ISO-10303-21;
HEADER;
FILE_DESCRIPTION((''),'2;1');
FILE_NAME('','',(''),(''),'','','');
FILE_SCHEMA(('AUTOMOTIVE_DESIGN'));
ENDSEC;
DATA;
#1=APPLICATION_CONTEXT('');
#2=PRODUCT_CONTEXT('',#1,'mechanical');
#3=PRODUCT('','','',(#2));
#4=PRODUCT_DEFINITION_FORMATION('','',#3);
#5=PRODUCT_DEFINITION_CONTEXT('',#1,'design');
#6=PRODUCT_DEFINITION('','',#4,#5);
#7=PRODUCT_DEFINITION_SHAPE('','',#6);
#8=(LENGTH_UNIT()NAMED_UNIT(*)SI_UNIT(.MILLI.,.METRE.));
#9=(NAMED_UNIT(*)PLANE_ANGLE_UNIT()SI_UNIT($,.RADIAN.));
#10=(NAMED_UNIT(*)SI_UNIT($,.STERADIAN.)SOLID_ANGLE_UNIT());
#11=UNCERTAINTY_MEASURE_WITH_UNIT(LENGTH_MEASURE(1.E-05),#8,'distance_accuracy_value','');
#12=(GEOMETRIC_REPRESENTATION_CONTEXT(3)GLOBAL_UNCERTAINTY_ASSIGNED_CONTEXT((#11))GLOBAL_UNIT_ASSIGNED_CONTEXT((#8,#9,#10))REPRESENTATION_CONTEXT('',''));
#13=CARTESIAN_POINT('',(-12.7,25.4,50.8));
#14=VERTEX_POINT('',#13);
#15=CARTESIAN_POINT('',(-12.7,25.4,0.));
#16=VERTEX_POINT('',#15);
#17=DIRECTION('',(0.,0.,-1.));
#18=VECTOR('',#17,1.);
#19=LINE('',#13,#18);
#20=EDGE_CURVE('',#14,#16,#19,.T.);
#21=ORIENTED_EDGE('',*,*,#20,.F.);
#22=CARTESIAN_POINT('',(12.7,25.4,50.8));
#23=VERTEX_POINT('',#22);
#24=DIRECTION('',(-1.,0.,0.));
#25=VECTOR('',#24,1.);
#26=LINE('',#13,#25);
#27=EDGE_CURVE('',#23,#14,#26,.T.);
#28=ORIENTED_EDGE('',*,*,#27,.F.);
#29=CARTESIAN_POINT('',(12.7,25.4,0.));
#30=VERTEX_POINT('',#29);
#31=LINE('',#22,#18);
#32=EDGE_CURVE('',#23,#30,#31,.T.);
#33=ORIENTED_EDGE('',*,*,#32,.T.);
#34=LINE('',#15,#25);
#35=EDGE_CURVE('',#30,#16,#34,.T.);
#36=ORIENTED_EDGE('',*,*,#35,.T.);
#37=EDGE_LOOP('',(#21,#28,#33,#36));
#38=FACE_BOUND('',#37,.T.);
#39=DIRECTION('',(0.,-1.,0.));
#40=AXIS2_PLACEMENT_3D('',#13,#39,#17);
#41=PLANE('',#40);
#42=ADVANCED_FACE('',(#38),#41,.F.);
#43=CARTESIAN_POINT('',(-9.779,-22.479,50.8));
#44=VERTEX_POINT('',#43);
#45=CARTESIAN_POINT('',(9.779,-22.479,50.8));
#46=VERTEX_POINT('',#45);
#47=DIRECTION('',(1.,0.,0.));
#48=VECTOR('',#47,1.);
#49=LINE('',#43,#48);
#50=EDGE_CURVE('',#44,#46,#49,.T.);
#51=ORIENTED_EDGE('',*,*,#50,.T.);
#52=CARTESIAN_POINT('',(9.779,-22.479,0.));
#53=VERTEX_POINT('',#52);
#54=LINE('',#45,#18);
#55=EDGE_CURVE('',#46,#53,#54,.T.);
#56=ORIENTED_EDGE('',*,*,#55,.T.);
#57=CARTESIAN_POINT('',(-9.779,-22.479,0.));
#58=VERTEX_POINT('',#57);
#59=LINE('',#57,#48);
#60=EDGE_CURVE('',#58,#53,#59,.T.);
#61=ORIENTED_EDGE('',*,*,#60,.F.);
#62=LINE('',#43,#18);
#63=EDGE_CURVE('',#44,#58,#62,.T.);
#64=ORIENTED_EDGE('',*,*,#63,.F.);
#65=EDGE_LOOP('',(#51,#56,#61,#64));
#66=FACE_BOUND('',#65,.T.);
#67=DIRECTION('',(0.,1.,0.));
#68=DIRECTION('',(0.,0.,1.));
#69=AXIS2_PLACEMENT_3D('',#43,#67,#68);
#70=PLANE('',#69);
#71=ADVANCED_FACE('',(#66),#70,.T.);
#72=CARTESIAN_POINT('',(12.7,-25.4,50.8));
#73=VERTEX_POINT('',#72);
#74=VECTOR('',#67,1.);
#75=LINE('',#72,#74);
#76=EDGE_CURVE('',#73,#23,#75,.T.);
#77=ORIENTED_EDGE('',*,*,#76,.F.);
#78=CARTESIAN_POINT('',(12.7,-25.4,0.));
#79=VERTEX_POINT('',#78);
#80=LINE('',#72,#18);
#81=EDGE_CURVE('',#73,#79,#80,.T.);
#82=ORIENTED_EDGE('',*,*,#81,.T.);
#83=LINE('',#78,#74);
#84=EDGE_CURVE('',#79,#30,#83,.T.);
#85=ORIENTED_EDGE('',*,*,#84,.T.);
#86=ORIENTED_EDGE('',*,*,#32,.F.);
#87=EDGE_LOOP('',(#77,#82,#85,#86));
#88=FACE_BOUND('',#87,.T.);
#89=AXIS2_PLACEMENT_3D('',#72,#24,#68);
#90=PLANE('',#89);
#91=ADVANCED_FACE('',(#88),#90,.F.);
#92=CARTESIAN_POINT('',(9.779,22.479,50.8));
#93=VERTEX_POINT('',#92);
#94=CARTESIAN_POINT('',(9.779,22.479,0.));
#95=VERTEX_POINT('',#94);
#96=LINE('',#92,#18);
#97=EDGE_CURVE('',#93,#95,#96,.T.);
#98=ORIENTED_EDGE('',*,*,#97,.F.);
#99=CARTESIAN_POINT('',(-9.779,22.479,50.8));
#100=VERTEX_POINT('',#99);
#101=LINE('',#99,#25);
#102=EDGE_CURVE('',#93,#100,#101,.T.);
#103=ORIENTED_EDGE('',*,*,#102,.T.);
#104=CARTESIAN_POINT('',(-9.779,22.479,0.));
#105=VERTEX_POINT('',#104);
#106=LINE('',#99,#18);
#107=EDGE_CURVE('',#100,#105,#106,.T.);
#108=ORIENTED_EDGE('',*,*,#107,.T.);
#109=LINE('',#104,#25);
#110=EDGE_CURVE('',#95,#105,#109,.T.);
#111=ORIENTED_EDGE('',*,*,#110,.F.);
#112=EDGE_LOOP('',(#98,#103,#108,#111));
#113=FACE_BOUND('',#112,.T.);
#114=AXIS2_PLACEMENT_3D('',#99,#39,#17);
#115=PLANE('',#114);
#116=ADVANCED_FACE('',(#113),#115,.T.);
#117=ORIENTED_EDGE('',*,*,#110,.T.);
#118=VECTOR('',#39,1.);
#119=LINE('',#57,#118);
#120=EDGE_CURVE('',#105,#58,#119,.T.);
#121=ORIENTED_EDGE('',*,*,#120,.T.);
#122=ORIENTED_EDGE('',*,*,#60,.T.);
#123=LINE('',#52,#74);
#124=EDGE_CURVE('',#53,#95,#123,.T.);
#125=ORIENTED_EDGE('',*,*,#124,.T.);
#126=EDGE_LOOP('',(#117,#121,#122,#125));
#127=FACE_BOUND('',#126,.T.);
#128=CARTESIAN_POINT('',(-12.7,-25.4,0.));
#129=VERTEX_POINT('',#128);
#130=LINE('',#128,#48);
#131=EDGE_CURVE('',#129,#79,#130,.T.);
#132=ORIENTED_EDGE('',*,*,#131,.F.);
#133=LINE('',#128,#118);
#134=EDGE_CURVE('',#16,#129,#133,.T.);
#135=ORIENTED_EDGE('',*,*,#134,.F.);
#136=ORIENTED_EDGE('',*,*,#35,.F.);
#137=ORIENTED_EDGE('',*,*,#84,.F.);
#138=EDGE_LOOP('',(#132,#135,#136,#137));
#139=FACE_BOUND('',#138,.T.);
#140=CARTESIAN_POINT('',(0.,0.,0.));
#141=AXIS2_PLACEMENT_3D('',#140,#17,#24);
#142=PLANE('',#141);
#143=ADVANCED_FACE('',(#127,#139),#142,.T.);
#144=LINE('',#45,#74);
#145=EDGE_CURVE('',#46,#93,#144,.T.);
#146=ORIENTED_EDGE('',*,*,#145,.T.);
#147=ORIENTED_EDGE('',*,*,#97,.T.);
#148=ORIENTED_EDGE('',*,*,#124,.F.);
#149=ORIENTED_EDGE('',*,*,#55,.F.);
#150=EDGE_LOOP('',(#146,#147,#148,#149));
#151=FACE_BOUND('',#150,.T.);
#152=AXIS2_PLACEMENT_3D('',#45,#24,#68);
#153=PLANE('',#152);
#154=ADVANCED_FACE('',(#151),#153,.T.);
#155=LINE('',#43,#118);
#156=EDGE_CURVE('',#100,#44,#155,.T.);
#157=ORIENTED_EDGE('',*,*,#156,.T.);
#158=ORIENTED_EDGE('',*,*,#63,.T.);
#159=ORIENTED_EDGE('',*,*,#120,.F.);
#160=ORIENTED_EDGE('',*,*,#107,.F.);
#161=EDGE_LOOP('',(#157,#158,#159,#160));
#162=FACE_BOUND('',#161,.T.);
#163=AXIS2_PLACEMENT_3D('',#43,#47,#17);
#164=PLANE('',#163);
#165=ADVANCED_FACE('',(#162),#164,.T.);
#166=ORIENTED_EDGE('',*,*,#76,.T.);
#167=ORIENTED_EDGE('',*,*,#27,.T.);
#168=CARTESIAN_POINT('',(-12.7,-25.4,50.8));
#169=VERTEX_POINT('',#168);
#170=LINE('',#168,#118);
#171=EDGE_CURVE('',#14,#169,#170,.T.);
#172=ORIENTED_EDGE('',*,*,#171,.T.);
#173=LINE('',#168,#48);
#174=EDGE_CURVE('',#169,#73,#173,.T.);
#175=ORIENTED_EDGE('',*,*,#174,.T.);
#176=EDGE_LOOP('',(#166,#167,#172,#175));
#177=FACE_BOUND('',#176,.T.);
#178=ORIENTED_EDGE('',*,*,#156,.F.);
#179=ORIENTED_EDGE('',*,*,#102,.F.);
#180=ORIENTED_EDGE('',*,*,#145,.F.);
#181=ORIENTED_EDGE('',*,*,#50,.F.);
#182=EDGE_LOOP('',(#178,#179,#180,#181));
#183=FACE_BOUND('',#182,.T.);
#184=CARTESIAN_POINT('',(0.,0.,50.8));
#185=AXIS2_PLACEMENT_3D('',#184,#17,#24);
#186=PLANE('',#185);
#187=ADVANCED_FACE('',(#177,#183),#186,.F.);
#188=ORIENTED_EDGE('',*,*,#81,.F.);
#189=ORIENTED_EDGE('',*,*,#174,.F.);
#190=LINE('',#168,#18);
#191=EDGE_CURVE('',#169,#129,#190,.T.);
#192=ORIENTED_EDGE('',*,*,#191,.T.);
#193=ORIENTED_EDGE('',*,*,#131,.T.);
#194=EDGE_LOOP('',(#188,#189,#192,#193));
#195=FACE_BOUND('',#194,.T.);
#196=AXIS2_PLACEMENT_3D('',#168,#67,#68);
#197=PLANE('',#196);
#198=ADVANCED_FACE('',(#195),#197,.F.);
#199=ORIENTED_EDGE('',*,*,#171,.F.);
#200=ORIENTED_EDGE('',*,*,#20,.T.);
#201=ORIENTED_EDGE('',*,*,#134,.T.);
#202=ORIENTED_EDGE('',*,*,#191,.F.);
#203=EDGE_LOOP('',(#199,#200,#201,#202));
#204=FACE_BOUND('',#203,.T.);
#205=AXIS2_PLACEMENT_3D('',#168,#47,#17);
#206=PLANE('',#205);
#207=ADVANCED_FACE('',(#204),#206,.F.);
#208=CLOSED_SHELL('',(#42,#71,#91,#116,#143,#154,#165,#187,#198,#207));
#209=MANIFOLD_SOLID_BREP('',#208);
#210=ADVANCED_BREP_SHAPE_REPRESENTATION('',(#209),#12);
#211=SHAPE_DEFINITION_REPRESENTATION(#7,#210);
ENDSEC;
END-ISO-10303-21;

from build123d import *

# Parameters (mm, degrees)
SKETCH1_W           = 25.4
SKETCH1_H           = 50.8
SKETCH1_W_2         = 19.558
SKETCH1_H_2         = 44.958
BOSS_EXTRUDE1_DEPTH = 50.8


with BuildPart() as part:
    # Sketch1 → Boss-Extrude1 (new body)
    with BuildSketch(Plane.XY):
        Rectangle(SKETCH1_W, SKETCH1_H)
        Rectangle(SKETCH1_W_2, SKETCH1_H_2, mode=Mode.SUBTRACT)
    extrude(amount=BOSS_EXTRUDE1_DEPTH)


solid = part.part
